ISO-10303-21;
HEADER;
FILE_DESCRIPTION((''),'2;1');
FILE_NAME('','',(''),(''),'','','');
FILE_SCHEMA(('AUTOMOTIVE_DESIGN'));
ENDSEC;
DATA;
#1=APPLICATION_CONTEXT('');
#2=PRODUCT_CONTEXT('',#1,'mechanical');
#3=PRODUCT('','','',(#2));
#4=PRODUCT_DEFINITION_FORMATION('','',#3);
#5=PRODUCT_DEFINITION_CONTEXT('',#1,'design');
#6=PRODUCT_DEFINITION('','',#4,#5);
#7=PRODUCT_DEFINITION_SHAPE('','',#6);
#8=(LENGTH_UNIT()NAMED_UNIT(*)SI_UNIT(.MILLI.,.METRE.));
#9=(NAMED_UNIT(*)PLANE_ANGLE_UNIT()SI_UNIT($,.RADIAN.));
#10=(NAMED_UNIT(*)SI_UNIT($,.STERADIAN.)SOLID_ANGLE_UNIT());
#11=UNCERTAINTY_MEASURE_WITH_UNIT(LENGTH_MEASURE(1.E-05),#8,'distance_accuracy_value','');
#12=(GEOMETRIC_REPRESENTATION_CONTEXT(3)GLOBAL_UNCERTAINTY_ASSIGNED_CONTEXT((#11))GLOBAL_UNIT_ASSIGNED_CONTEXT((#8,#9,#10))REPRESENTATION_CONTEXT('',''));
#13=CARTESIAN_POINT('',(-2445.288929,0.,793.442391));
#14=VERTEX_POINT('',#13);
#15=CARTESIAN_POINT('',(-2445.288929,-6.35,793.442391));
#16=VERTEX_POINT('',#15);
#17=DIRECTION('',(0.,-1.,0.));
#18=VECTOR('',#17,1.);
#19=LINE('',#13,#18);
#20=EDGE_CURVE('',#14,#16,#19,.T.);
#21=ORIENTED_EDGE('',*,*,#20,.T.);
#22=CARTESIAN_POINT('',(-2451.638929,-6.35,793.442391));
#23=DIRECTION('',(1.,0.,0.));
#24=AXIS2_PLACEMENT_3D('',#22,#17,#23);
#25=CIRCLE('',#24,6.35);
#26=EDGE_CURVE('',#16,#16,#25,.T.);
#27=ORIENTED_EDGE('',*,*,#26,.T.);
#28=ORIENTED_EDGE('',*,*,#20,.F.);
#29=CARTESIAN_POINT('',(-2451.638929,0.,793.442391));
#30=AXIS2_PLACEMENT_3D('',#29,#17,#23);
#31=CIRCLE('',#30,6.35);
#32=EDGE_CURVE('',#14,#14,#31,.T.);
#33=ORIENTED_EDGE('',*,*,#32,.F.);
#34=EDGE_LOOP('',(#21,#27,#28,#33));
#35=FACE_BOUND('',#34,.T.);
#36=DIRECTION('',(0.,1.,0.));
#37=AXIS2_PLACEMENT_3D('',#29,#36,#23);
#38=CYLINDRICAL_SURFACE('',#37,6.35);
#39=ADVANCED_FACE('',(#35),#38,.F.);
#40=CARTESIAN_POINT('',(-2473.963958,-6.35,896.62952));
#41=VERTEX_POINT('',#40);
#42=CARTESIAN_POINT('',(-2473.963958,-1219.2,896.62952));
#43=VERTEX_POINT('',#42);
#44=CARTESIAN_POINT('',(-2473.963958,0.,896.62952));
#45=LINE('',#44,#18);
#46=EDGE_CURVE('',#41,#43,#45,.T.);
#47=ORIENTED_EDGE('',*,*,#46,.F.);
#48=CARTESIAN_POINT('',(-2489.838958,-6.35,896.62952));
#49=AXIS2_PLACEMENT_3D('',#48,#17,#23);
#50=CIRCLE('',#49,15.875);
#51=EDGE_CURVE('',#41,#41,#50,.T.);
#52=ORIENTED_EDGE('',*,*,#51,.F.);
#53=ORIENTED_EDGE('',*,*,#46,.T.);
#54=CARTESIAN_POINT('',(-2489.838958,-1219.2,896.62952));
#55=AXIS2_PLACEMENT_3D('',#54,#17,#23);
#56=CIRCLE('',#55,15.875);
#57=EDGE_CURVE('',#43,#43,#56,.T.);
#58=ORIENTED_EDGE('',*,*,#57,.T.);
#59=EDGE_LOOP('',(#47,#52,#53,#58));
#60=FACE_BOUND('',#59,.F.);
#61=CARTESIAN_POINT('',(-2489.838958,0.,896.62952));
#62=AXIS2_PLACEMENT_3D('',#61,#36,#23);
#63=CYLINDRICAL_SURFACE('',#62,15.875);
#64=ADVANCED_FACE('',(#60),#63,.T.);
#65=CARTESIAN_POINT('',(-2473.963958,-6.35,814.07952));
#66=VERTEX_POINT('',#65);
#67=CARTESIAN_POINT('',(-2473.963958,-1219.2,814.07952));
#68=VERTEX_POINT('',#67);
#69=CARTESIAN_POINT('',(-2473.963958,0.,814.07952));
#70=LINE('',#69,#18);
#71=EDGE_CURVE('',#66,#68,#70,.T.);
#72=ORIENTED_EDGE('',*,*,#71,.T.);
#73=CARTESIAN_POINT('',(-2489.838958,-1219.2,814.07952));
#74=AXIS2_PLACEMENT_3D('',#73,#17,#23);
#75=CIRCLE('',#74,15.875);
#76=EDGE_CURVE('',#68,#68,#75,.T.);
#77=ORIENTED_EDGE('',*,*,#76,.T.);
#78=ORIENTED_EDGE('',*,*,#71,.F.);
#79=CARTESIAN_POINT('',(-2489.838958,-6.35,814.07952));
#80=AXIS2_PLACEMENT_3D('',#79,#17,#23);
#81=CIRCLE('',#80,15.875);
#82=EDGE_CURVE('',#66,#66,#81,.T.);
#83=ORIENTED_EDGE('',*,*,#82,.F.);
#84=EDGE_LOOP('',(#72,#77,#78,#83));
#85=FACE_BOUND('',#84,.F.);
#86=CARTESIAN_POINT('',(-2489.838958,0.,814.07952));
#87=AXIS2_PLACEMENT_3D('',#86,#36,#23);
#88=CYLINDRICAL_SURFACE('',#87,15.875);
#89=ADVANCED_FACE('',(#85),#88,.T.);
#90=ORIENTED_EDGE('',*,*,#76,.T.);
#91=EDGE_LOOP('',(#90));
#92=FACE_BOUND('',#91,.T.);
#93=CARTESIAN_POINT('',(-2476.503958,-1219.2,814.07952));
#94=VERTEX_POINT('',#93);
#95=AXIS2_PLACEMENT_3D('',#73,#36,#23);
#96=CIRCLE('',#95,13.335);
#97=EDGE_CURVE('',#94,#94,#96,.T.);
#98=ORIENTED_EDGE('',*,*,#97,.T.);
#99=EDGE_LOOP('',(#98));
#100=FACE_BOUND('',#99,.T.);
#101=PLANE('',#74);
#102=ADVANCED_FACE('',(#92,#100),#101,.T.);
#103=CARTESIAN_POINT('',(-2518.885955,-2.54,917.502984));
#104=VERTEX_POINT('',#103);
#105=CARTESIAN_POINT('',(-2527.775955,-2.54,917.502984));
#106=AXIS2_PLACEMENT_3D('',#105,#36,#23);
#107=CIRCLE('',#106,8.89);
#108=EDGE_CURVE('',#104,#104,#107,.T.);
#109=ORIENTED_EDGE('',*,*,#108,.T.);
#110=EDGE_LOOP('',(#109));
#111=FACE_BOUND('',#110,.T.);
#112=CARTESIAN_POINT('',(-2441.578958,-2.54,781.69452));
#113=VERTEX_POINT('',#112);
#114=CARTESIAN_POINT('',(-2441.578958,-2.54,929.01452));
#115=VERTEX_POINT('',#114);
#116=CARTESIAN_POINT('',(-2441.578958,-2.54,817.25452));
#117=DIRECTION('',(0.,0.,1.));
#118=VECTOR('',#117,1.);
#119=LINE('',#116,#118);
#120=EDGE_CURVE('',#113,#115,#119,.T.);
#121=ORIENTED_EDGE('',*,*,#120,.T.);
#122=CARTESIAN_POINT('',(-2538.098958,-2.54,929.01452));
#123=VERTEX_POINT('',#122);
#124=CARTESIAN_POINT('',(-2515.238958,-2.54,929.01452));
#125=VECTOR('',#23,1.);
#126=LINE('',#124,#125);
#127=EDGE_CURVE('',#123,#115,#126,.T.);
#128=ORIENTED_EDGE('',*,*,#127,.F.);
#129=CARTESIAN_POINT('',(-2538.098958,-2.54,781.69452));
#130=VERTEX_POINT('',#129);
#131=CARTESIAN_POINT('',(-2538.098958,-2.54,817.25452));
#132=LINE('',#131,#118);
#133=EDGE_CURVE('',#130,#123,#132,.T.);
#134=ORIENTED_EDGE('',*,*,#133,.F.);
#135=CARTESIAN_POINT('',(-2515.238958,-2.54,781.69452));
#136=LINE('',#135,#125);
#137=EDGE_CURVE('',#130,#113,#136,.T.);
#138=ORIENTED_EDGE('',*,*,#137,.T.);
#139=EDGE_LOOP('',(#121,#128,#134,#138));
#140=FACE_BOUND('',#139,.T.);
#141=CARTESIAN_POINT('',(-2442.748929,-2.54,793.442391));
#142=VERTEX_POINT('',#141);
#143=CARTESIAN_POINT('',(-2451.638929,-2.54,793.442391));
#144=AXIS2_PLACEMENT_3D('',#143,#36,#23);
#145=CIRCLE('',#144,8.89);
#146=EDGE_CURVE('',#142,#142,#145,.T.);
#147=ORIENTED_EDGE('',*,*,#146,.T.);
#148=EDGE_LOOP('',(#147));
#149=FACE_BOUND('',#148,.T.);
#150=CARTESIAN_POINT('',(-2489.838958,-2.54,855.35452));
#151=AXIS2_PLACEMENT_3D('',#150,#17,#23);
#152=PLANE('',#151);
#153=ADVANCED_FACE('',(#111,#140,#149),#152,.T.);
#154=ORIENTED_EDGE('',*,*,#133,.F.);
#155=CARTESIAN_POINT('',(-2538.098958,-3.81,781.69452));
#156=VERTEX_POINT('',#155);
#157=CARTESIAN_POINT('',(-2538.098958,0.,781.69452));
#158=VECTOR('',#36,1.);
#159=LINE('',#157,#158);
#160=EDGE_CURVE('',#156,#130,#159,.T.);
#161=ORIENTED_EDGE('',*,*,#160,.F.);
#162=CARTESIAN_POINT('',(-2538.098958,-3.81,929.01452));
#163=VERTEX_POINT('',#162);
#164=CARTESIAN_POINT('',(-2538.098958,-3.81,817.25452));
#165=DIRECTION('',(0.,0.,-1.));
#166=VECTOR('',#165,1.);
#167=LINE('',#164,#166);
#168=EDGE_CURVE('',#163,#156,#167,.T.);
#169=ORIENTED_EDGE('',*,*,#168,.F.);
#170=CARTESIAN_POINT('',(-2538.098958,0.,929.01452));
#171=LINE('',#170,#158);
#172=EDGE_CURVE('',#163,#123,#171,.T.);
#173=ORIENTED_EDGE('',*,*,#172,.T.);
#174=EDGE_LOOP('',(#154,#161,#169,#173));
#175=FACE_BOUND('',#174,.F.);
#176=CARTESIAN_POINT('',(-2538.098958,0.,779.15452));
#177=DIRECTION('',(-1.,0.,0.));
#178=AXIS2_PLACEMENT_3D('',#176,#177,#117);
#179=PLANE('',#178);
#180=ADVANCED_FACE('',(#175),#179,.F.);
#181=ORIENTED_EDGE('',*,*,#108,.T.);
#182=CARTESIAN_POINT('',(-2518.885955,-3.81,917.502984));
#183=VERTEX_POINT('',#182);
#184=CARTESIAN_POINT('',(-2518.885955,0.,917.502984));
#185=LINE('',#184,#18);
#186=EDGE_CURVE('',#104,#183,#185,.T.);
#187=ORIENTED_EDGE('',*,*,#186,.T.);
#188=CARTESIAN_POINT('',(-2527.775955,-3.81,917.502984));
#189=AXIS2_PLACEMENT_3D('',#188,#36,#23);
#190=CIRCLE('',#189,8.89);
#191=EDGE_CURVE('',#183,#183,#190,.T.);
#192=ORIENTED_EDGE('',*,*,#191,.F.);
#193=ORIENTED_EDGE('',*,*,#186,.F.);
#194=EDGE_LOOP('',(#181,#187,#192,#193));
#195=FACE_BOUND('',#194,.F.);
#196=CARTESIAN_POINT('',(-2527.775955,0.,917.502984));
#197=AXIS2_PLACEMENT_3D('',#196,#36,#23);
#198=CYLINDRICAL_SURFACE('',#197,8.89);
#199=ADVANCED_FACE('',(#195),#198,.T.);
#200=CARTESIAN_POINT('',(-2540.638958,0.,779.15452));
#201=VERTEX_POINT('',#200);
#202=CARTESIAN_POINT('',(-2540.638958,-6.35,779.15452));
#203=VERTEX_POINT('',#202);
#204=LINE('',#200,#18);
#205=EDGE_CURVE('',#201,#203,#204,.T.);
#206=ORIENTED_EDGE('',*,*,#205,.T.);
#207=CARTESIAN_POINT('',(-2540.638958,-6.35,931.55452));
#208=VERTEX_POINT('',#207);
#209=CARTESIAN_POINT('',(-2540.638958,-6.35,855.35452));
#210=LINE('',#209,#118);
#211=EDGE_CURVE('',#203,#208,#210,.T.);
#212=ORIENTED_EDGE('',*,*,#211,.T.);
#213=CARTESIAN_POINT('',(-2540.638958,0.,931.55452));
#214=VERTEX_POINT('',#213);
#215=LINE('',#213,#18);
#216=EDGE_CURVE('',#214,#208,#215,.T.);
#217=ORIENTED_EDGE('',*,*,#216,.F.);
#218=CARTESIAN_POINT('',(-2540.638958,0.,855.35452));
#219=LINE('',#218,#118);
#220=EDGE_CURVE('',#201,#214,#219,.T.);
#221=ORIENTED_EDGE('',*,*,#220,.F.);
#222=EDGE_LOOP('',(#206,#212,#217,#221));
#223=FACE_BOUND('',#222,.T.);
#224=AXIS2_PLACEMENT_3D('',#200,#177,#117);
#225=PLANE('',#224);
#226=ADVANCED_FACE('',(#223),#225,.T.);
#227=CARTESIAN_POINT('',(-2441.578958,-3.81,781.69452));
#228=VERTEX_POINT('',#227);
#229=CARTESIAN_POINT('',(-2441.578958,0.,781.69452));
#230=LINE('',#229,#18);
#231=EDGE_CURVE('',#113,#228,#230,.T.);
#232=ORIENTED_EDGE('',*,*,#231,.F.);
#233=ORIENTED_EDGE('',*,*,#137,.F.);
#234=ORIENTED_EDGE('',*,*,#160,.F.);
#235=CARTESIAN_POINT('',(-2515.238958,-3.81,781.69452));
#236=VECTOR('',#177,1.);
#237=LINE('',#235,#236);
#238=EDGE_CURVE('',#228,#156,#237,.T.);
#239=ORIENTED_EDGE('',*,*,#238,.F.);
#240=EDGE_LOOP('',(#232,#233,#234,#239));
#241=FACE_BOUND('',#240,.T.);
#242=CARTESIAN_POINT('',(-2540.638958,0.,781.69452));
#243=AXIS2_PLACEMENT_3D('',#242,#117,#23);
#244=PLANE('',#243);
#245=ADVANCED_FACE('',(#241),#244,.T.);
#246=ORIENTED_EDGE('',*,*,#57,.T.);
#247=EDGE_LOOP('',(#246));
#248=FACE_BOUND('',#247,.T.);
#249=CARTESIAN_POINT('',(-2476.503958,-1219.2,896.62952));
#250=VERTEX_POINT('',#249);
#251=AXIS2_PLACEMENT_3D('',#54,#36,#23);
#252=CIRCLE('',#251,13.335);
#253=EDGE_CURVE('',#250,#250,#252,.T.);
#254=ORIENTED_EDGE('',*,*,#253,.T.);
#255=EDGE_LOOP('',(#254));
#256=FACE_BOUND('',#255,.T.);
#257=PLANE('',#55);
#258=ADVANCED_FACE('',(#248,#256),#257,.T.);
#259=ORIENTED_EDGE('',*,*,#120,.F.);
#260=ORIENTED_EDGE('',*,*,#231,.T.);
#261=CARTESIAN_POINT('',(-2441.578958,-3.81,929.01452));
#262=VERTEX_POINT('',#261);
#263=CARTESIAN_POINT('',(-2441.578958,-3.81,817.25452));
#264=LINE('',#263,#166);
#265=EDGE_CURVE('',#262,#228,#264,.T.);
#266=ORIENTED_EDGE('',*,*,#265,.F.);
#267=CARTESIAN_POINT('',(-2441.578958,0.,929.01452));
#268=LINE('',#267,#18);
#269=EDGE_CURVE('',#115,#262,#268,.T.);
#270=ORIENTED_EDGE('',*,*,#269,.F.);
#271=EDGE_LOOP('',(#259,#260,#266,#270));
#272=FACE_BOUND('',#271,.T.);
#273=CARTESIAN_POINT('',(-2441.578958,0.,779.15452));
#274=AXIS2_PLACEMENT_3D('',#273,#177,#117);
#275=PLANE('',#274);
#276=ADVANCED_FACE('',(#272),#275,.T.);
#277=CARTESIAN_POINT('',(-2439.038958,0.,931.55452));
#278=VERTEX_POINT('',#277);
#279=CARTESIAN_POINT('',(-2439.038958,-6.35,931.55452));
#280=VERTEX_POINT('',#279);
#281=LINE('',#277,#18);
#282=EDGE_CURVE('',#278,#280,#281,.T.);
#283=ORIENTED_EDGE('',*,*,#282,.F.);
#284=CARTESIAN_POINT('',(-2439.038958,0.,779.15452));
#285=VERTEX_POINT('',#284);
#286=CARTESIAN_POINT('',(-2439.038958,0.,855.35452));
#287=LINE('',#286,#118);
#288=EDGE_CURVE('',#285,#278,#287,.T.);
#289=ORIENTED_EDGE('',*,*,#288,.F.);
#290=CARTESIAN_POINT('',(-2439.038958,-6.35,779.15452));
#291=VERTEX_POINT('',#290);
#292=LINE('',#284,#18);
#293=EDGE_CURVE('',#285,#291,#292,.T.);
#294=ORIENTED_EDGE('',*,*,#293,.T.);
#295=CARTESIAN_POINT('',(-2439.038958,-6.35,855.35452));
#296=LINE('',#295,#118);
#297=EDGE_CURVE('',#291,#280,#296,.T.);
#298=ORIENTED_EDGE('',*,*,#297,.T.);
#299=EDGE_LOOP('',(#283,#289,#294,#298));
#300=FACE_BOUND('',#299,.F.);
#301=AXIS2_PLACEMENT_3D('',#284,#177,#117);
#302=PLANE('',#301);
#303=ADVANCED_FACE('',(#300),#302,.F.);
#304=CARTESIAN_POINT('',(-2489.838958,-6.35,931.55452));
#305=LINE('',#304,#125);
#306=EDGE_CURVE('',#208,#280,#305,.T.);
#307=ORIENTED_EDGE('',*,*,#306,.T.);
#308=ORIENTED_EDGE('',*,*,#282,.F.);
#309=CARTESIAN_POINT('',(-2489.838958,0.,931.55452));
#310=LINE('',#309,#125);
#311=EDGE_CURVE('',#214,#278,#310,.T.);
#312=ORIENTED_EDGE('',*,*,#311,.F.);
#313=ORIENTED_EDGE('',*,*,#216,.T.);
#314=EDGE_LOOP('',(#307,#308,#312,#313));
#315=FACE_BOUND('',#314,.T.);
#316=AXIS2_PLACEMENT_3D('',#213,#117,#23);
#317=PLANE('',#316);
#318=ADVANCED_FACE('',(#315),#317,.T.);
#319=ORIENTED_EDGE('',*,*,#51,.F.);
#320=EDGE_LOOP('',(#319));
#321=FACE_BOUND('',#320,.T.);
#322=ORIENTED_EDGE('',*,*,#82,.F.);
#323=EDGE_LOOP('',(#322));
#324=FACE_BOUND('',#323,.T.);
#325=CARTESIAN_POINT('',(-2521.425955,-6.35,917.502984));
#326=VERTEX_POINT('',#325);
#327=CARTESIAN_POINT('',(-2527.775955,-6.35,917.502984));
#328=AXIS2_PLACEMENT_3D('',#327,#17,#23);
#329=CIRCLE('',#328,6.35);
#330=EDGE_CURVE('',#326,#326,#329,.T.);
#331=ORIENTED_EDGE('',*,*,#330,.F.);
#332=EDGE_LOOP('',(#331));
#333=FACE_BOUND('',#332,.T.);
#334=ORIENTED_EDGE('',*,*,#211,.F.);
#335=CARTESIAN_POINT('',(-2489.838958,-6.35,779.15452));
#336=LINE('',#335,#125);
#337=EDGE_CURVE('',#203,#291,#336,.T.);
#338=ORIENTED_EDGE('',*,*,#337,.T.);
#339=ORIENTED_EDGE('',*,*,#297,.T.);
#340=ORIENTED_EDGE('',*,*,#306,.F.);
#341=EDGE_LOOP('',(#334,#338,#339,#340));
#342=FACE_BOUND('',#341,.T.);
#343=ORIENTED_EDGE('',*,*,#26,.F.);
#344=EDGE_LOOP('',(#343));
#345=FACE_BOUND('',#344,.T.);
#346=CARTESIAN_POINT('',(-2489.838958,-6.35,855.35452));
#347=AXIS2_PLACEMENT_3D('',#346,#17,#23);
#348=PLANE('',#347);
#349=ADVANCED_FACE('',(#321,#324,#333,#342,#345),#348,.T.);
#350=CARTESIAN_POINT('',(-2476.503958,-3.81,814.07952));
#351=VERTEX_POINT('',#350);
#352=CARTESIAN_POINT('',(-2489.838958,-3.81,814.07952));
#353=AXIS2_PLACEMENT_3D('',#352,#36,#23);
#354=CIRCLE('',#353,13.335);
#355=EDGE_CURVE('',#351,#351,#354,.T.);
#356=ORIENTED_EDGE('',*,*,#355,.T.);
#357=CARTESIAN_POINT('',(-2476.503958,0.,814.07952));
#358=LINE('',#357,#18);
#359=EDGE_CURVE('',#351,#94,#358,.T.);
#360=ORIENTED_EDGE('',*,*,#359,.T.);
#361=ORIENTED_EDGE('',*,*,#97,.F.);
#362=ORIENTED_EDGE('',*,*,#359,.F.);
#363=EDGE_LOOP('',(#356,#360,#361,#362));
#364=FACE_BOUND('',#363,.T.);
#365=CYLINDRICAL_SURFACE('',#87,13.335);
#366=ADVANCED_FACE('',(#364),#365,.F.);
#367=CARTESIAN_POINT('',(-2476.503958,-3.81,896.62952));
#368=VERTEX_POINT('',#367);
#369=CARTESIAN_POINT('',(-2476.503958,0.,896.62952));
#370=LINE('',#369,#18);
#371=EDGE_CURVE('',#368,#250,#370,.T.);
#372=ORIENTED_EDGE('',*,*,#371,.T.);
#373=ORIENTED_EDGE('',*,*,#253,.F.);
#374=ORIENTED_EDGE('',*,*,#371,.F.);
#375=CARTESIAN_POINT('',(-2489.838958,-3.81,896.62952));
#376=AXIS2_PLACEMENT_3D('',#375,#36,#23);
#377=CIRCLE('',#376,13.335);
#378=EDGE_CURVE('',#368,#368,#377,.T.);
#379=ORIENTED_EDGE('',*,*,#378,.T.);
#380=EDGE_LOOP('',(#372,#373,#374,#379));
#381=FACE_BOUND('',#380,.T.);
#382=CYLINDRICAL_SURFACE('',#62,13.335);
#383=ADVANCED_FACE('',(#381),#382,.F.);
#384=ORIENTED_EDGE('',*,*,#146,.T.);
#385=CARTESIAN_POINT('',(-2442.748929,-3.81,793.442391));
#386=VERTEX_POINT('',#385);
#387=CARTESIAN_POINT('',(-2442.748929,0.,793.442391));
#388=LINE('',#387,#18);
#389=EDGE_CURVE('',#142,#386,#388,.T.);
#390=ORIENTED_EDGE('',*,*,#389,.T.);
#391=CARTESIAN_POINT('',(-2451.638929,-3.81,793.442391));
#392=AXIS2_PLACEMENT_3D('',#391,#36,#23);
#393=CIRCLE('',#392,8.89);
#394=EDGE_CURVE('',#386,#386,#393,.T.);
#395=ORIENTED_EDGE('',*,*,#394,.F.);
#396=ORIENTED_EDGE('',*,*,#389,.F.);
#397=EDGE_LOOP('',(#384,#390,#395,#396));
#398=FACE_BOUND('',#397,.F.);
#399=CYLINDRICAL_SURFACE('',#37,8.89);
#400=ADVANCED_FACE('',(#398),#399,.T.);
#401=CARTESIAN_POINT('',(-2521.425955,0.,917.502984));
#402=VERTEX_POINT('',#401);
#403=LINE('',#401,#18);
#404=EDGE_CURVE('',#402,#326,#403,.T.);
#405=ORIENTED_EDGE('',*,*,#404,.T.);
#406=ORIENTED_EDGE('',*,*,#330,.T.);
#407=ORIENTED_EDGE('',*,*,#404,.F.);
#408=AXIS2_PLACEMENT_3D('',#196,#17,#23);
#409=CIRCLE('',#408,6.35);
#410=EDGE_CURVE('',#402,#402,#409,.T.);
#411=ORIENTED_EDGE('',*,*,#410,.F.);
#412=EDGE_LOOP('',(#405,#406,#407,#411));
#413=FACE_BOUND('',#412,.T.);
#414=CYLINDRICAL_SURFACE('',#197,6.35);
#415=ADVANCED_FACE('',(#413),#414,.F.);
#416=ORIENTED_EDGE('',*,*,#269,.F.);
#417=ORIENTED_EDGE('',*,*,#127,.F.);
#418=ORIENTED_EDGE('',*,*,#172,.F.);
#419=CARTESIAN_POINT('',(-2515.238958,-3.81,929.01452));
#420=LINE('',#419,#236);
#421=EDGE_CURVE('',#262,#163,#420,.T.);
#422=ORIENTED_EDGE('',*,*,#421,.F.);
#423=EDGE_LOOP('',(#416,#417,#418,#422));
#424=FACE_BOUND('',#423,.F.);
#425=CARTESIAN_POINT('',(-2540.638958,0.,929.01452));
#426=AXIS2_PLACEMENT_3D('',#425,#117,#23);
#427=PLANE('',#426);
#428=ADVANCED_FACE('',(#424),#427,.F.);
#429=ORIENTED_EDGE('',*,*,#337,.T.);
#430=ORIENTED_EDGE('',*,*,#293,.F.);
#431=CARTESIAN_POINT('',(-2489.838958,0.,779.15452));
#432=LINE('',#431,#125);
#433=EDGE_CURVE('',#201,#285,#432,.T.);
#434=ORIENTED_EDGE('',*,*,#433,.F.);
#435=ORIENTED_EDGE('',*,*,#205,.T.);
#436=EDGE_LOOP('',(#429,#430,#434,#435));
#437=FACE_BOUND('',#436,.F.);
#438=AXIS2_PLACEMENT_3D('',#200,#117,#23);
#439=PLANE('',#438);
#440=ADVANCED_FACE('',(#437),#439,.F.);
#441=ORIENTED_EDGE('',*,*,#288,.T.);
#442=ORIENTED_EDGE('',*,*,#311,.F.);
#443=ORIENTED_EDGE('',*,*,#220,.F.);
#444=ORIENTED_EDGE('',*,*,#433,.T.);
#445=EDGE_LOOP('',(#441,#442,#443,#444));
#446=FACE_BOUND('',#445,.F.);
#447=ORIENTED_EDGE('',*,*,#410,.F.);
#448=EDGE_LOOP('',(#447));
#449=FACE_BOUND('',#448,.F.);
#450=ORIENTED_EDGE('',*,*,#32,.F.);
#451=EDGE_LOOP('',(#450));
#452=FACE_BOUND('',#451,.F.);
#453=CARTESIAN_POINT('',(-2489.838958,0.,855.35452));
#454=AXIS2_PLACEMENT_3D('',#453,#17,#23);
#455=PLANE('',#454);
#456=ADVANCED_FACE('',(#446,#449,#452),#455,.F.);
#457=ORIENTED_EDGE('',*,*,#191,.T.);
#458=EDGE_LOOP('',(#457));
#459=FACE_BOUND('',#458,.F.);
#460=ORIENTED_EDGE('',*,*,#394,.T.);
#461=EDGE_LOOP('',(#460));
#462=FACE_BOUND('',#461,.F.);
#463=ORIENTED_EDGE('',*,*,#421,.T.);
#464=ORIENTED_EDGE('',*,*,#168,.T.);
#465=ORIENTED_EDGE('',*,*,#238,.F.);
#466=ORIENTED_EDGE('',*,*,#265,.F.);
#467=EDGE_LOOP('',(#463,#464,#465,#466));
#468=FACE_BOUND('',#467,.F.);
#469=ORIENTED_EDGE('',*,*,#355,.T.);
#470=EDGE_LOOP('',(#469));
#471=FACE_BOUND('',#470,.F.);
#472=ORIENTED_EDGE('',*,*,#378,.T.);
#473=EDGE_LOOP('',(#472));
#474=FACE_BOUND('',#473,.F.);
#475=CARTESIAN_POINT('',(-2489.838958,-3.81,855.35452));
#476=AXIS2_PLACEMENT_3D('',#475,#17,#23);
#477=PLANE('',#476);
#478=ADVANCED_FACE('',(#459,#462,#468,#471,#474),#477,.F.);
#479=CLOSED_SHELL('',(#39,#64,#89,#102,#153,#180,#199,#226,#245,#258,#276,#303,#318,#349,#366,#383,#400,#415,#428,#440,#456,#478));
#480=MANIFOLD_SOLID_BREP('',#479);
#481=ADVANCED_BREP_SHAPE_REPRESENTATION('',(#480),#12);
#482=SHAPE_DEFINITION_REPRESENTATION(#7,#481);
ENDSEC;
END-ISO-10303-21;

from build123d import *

# Parameters (mm, degrees)
F0_W     = 101.6
F0_H     = 152.4
F0_R     = 15.875
F0_R_2   = 6.35
F1_DEPTH = 6.35
F2_DEPTH = 1219.2
F3_T     = -2.54


with BuildPart() as f1:
    # F0 (on Front) → F1 (new body)
    with BuildSketch(Plane.XZ):
        with Locations((-2489.8389577866, 855.3545203808)):
            Rectangle(F0_W, F0_H)
        with Locations((-2489.8389577866, 814.0795203808)):
            Circle(F0_R, mode=Mode.SUBTRACT)
        with Locations((-2451.6389285668, 793.4423906328)):
            Circle(F0_R_2, mode=Mode.SUBTRACT)
        with Locations((-2527.7759553845, 917.5029841941)):
            Circle(F0_R_2, mode=Mode.SUBTRACT)
        with Locations((-2489.8389577866, 896.6295203808)):
            Circle(F0_R, mode=Mode.SUBTRACT)
    extrude(amount=F1_DEPTH)

    # F0 (on Front) → F2 (join)
    with BuildSketch(Plane.XZ):
        with Locations((-2489.8389577866, 896.6295203808)):
            Circle(F0_R)
        with Locations((-2489.8389577866, 814.0795203808)):
            Circle(F0_R)
    extrude(amount=F2_DEPTH)

    # F3
    f3_openings = [f1.faces().sort_by_distance(p)[0] for p in [
        (-2489.838958, -1219.2, 896.62952),
        (-2489.838958, -1219.2, 814.07952),
    ]]
    offset(amount=F3_T, openings=f3_openings, kind=Kind.INTERSECTION)


solid = f1.part
